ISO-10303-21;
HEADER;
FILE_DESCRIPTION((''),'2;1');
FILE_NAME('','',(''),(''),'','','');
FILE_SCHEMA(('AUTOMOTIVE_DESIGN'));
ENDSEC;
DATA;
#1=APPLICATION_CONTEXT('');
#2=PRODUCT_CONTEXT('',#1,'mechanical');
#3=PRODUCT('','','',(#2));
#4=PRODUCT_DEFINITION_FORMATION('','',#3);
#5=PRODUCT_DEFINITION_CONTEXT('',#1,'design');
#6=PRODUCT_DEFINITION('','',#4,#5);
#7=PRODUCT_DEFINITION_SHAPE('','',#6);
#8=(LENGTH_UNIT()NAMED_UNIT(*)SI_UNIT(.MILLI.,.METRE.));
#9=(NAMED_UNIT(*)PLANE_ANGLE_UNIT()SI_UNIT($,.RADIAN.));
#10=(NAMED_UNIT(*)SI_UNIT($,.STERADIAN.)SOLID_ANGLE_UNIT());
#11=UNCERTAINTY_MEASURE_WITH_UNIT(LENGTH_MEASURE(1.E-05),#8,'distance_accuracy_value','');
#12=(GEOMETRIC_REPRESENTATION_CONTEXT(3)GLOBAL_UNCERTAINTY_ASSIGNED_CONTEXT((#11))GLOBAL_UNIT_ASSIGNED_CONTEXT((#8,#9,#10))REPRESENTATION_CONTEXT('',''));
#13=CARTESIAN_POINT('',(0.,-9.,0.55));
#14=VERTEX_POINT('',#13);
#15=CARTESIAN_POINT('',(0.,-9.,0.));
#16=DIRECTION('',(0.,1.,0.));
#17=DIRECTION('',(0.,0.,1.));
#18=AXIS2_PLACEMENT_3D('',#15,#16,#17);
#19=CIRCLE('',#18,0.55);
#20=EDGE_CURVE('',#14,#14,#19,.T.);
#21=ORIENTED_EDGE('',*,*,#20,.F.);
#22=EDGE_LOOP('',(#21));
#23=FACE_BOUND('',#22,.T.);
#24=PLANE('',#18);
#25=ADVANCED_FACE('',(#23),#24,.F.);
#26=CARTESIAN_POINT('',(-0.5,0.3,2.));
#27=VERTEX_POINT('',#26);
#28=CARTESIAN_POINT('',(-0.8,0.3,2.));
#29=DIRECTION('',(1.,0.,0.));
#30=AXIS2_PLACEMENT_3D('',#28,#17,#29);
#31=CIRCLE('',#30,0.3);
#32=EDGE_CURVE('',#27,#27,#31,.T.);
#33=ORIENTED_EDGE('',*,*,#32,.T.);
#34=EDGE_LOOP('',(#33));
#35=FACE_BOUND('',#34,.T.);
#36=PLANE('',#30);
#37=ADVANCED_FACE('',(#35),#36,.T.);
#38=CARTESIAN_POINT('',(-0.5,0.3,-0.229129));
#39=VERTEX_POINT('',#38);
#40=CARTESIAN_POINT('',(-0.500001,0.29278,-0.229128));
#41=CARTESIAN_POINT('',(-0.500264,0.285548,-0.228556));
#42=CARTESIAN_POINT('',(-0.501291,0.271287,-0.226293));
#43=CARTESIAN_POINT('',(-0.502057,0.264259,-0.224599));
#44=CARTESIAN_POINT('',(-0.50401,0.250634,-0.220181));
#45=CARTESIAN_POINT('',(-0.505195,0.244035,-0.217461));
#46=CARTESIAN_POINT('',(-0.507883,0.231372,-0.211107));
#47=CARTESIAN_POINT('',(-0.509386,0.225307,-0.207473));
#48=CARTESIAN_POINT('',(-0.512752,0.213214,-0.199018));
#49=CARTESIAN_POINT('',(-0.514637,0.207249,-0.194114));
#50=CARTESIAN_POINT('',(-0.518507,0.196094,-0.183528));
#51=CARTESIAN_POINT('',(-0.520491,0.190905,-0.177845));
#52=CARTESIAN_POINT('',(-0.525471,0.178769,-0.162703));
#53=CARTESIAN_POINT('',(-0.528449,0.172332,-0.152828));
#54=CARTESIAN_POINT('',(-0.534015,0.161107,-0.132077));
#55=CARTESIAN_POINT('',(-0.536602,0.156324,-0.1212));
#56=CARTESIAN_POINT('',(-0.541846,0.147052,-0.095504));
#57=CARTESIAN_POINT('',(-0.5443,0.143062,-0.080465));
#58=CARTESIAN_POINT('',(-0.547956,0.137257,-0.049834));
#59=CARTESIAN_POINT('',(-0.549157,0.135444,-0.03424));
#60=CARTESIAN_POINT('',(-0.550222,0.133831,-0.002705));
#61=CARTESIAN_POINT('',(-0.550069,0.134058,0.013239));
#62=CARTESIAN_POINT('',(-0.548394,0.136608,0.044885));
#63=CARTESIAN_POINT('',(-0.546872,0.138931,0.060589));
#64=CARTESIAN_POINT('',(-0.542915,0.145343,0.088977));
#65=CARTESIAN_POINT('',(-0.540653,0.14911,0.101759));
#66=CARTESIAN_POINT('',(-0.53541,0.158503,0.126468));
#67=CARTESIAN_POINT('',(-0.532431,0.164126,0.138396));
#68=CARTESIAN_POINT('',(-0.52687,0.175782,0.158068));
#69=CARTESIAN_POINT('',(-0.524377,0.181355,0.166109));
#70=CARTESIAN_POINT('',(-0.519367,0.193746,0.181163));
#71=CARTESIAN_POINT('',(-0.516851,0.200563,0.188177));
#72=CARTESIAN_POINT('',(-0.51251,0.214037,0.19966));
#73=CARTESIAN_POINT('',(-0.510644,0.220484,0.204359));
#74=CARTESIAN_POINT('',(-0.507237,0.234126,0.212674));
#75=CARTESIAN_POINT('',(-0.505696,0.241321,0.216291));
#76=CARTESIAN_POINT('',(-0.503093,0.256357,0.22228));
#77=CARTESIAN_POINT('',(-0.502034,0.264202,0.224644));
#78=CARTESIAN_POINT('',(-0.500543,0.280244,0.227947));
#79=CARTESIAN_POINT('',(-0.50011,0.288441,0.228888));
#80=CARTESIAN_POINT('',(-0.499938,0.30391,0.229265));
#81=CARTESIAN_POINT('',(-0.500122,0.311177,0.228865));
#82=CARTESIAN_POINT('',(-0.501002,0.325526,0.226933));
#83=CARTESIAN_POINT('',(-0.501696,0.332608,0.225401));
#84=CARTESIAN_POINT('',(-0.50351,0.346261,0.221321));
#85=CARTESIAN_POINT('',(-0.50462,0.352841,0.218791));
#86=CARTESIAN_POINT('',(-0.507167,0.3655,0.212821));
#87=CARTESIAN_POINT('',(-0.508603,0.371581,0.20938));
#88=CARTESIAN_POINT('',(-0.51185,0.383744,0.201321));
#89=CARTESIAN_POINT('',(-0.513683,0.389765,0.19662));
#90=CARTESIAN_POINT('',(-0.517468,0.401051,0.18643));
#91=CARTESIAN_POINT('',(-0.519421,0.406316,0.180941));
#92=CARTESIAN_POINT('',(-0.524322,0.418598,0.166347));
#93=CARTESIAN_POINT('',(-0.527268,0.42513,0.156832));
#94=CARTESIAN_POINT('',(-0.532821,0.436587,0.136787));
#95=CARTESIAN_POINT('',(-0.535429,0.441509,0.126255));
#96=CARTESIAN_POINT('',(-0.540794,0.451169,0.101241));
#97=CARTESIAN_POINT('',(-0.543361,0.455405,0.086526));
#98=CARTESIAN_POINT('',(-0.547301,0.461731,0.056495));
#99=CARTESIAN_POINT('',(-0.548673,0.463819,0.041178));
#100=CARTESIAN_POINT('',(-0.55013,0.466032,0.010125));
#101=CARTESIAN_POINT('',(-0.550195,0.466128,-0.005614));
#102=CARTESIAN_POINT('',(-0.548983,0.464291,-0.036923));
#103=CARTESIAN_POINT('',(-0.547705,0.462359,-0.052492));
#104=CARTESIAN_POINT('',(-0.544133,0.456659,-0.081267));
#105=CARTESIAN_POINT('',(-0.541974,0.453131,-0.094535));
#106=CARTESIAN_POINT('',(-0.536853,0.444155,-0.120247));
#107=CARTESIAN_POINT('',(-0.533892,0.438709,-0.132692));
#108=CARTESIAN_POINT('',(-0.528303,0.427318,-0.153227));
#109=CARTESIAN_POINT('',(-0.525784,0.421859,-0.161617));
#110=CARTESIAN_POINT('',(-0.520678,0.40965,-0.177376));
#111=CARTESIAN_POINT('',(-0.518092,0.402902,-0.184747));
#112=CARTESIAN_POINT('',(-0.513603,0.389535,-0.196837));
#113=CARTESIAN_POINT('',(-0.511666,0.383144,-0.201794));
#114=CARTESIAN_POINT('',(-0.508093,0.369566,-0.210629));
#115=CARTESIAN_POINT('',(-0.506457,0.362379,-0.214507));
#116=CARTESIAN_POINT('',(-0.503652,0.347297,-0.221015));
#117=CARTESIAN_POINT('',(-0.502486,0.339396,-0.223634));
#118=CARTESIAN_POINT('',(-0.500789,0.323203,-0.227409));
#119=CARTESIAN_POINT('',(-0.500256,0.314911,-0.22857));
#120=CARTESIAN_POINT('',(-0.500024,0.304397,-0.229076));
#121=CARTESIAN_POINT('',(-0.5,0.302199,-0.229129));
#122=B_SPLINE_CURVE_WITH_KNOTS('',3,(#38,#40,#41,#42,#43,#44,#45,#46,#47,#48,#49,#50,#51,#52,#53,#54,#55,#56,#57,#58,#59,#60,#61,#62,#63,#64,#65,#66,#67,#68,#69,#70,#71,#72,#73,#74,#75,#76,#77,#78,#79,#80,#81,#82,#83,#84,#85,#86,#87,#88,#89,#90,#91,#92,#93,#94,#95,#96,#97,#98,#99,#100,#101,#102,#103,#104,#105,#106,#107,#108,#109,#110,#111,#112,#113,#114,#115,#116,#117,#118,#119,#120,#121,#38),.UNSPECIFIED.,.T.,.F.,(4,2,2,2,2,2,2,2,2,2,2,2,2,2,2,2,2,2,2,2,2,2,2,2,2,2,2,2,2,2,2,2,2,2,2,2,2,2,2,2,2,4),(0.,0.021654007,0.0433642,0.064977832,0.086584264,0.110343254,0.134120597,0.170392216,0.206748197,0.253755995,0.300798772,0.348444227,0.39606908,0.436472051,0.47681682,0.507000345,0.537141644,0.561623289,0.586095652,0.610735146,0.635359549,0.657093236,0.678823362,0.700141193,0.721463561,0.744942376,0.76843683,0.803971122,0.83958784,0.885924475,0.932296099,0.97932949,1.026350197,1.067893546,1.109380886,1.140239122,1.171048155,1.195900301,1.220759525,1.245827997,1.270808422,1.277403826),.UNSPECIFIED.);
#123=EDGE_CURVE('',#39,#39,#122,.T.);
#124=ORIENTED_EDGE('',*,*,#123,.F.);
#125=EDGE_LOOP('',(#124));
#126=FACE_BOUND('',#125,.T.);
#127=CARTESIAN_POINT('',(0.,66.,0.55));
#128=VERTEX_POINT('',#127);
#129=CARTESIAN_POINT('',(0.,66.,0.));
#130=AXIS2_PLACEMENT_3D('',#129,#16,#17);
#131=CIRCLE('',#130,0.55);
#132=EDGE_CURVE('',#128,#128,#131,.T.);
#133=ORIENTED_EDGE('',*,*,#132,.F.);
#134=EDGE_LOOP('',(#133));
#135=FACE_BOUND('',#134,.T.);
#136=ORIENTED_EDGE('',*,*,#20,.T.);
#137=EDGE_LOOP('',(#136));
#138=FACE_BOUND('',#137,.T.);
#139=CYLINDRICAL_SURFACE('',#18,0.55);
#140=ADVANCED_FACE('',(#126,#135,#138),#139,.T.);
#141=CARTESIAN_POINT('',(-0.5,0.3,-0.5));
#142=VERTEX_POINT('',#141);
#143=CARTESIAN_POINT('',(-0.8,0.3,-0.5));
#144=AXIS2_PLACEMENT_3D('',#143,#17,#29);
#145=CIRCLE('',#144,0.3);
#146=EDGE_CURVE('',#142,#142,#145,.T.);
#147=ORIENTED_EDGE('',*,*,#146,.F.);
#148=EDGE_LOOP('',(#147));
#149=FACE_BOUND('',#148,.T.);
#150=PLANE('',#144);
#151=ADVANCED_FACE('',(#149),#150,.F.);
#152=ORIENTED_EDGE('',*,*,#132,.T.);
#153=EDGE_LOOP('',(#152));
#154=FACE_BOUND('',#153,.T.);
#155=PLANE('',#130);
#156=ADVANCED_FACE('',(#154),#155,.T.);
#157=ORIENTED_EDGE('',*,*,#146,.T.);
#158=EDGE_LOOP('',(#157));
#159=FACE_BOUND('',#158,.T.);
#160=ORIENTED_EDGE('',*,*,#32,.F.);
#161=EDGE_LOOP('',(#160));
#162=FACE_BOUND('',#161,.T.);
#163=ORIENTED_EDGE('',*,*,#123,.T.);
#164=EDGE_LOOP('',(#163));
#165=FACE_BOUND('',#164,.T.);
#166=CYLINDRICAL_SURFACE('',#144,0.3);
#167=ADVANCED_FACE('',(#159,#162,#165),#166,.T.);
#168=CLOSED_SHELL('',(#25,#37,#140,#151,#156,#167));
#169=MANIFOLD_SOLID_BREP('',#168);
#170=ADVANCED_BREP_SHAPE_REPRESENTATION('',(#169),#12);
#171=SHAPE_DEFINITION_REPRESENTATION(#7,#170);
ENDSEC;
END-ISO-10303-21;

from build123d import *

# Parameters (mm, degrees)
SKETCH1_R           = 0.55
EXTRUDE1_DEPTH      = 66
EXTRUDE1_DEPTH_BACK = 9
SKETCH2_R           = 0.3
EXTRUDE2_DEPTH      = 2
EXTRUDE2_DEPTH_BACK = 0.5


with BuildPart() as part:
    # Sketch1 → Extrude1 (new body, two sides)
    with BuildSketch(Plane(origin=(0, 0, 0), x_dir=(1, 0, 0), z_dir=(0, 1, 0))) as extrude1_sk:
        Circle(SKETCH1_R)
    extrude(amount=EXTRUDE1_DEPTH)
    extrude(extrude1_sk.sketch, amount=-EXTRUDE1_DEPTH_BACK)

    # Sketch2 → Extrude2 (add, two sides)
    with BuildSketch(Plane.XY) as extrude2_sk:
        with Locations((-0.8, 0.3)):
            Circle(SKETCH2_R)
    extrude(amount=EXTRUDE2_DEPTH)
    extrude(extrude2_sk.sketch, amount=-EXTRUDE2_DEPTH_BACK)


solid = part.part
